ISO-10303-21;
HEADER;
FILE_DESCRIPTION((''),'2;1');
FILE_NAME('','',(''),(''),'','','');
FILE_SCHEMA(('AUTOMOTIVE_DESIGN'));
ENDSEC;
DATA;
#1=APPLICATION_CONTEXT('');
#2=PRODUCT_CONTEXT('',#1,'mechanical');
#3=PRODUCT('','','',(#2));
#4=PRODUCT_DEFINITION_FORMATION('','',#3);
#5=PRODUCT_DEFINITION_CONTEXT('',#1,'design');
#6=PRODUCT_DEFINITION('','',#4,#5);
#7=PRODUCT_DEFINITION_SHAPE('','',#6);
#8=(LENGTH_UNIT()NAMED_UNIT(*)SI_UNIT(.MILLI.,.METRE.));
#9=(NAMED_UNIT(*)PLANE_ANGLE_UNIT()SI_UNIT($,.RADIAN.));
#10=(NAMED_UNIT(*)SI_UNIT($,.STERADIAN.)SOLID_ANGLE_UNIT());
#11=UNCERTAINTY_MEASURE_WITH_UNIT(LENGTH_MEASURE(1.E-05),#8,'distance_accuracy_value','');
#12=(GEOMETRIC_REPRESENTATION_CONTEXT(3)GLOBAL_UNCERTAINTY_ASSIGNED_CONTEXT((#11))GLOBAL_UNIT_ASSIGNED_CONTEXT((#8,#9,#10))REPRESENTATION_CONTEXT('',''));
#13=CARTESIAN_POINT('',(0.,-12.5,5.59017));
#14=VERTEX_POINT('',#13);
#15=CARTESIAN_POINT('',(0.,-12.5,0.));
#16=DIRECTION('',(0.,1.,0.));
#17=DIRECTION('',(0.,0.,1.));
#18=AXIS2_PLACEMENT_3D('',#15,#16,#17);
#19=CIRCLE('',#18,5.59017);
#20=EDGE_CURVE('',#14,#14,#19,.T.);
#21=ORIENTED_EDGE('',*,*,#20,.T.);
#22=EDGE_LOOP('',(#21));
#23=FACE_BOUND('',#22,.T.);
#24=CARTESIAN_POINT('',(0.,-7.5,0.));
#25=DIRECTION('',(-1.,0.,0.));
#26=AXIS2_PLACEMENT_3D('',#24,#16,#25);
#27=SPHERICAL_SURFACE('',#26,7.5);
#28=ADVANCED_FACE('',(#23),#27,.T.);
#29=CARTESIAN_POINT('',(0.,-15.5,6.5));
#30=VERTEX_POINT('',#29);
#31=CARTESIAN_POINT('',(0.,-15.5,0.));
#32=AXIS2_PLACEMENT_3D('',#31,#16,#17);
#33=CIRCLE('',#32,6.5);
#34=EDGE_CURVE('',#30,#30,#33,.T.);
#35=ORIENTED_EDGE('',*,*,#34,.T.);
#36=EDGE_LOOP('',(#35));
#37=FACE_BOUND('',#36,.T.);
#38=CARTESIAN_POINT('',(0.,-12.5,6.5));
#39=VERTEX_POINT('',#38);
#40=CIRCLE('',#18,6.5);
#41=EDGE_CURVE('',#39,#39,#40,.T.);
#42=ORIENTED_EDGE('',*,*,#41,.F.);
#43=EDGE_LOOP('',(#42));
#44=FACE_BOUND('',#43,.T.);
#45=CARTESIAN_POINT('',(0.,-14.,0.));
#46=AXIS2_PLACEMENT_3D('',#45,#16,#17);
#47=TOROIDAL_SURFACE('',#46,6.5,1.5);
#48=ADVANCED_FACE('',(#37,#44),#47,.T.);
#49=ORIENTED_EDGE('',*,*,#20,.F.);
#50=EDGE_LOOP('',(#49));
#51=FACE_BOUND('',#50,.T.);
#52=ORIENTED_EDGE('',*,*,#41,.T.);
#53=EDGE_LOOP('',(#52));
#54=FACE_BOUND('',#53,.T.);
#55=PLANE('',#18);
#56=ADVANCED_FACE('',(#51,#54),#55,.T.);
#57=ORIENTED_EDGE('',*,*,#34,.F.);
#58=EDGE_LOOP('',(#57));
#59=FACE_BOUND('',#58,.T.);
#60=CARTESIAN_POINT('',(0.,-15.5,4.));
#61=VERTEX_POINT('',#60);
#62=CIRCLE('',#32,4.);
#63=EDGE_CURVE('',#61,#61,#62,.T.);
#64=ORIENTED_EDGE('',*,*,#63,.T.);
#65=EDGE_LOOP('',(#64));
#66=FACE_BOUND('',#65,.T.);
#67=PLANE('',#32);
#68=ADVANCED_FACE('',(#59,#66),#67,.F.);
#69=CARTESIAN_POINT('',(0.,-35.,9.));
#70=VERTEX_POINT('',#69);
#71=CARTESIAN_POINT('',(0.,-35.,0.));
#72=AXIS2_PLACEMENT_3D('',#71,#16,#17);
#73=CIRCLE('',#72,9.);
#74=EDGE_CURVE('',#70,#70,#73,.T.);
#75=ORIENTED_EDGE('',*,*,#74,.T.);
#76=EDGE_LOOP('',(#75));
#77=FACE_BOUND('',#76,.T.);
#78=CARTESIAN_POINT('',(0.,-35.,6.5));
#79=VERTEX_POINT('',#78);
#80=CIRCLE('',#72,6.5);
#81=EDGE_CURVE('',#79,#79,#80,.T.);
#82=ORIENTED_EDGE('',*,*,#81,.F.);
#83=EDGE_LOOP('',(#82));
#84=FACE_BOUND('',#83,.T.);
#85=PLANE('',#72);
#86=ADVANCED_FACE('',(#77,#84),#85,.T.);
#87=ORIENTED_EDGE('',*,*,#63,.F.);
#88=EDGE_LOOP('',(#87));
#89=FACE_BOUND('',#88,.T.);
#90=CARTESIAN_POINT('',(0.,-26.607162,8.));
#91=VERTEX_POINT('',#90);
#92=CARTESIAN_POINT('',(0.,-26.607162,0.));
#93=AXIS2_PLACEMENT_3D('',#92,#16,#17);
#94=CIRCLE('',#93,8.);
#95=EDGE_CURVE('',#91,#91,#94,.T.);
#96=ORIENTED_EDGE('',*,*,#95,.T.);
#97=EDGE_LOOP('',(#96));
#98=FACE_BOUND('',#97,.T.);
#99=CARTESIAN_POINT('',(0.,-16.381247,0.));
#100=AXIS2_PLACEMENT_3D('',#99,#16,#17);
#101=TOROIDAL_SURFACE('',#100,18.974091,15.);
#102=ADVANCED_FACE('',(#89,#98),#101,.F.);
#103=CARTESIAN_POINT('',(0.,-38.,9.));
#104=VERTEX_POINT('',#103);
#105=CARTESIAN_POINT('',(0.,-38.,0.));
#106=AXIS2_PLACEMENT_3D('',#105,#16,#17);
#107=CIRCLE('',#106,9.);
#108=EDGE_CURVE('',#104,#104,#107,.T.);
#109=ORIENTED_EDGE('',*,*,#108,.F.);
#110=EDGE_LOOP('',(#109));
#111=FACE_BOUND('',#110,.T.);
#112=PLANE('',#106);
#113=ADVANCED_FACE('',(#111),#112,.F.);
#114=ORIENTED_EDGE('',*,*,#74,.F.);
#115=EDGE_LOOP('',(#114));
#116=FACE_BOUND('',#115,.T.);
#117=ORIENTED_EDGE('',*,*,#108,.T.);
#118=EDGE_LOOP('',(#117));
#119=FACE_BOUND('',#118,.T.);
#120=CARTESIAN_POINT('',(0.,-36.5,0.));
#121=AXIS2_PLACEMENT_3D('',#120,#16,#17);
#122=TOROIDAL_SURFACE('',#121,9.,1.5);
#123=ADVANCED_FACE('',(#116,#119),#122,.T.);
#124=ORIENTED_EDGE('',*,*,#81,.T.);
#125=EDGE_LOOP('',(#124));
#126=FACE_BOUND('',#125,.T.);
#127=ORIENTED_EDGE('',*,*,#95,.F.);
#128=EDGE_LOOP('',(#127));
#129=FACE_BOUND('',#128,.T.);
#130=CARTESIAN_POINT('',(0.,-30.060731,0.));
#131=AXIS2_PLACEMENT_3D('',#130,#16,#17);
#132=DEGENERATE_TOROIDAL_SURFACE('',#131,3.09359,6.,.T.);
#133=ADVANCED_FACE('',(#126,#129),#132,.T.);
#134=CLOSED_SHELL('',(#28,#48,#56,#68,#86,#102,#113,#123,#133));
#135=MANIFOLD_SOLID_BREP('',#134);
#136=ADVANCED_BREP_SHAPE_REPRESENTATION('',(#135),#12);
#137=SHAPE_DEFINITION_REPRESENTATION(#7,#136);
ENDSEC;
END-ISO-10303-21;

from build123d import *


with BuildPart() as part:
    # Pawn Sketch Profile → Pawn Revolve (revolve)
    with BuildSketch(Plane.XY, mode=Mode.PRIVATE) as pawn_revolve_sk:
        with BuildLine():
            Line((-5.590169944, -12.5), (0, -12.5))
            Line((0, -12.5), (0, 0))
            ThreePointArc((0, 0), (-6.846531969, -4.438137822), (-5.590169944, -12.5))
        make_face()
        with BuildLine():
            Line((-4, -15.5), (0, -15.5))
            Line((0, -15.5), (0, -12.5))
            Line((0, -12.5), (-5.590169944, -12.5))
            Line((-5.590169944, -12.5), (-6.5, -12.5))
            ThreePointArc((-6.5, -12.5), (-8, -14), (-6.5, -15.5))
            Line((-6.5, -15.5), (-4, -15.5))
        make_face()
        with BuildLine():
            Line((-6.5, -35), (0, -35))
            Line((0, -35), (0, -15.5))
            Line((0, -15.5), (-4, -15.5))
            ThreePointArc((-4, -15.5), (-4.861355712, -21.463638541), (-8, -26.607161685))
            ThreePointArc((-8, -26.607161685), (-9, -31.116347502), (-6.5, -35))
        make_face()
        with BuildLine():
            Line((-9, -38), (0, -38))
            Line((0, -38), (0, -35))
            Line((0, -35), (-6.5, -35))
            Line((-6.5, -35), (-9, -35))
            ThreePointArc((-9, -35), (-10.5, -36.5), (-9, -38))
        make_face()
    revolve(pawn_revolve_sk.sketch.rotate(Axis((0, 16.505902718, 0), (0, -1, 0)), 270), axis=Axis((0, 16.505902718, 0), (0, -1, 0)))


solid = part.part
